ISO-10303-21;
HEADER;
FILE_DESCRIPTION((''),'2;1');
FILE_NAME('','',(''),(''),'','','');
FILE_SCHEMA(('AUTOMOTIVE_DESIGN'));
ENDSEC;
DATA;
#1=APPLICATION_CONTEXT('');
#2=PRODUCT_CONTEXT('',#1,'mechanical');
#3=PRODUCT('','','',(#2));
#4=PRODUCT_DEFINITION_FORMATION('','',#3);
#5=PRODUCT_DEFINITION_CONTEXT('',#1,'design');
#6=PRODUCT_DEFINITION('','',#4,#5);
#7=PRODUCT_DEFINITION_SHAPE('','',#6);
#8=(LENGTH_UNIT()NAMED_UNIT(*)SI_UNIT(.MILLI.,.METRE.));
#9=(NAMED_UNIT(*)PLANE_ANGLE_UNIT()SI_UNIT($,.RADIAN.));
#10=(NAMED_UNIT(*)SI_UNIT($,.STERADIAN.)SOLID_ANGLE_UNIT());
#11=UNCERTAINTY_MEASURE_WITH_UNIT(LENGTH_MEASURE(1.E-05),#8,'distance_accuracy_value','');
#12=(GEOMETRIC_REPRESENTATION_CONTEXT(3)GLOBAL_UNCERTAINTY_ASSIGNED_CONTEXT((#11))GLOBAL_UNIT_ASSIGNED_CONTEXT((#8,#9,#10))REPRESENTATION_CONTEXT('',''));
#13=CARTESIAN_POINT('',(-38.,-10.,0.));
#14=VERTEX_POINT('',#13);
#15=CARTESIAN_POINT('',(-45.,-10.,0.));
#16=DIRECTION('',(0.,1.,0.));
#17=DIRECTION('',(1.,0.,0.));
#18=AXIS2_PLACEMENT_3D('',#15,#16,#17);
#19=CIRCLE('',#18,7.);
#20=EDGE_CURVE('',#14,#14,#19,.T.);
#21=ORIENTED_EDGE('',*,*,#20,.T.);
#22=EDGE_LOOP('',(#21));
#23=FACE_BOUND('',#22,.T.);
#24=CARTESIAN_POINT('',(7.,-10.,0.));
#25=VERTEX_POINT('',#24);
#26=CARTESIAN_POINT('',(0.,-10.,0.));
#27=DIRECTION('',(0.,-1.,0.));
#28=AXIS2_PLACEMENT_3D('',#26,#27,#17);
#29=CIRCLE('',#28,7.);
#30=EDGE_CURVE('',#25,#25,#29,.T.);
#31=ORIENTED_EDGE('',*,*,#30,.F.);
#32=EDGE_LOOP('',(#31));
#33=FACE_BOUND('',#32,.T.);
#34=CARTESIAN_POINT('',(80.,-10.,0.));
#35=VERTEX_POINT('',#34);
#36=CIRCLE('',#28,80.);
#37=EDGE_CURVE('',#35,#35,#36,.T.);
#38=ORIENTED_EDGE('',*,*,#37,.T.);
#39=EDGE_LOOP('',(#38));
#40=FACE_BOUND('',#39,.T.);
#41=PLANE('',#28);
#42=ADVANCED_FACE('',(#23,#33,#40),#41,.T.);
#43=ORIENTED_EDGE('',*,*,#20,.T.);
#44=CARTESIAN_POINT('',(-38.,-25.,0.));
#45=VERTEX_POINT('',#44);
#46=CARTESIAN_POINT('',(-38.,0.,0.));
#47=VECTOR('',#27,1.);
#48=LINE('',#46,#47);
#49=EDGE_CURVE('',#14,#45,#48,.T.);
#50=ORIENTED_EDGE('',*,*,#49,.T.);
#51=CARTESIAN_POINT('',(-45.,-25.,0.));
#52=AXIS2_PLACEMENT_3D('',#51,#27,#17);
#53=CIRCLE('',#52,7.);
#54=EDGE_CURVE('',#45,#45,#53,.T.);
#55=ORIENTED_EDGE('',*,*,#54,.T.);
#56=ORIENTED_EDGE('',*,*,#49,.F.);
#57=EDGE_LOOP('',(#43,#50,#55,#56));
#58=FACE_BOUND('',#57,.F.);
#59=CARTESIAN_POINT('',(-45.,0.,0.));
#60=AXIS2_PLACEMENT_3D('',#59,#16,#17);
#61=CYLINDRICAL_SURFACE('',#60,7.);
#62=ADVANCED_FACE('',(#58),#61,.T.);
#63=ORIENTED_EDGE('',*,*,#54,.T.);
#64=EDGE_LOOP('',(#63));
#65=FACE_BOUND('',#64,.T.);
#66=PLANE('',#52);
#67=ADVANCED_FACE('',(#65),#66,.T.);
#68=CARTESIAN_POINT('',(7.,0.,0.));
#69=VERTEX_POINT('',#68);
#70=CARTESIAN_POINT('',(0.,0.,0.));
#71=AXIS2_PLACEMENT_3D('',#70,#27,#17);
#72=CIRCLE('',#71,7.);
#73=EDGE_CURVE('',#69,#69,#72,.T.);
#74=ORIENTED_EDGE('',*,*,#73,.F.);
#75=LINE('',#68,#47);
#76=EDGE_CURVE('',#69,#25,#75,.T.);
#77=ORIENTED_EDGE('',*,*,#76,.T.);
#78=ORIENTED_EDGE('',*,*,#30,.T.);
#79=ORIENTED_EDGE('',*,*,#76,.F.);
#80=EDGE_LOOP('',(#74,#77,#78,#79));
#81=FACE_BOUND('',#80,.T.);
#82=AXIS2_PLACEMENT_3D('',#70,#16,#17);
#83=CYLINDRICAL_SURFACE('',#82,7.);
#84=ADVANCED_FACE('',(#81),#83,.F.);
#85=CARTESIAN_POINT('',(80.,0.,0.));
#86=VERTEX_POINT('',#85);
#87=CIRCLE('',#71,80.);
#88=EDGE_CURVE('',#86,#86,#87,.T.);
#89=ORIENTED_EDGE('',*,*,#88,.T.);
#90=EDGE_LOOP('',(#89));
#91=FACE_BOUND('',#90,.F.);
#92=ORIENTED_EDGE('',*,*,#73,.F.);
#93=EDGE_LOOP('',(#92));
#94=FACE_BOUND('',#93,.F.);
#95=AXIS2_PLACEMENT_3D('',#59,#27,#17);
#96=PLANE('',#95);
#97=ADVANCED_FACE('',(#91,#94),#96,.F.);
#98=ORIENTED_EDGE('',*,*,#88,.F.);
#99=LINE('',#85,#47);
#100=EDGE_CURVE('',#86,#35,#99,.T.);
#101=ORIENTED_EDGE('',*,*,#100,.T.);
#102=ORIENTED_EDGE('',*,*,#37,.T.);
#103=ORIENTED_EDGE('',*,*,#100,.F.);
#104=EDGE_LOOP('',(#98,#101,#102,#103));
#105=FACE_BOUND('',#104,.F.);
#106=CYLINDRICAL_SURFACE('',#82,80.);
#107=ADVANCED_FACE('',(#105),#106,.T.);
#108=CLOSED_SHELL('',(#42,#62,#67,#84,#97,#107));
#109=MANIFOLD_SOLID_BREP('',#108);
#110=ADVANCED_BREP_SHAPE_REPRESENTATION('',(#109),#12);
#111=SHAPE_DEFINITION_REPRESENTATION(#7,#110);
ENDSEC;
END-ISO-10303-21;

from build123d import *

# Parameters (mm, degrees)
F0_R     = 80
F0_R_2   = 7
F1_DEPTH = 10
F2_R     = 7
F3_DEPTH = 25


with BuildPart() as f1:
    # F0 (on Front) → F1 (new body)
    with BuildSketch(Plane.XZ):
        Circle(F0_R)
        Circle(F0_R_2, mode=Mode.SUBTRACT)
    extrude(amount=F1_DEPTH)

    # F2 (on Front) → F3 (join)
    with BuildSketch(Plane.XZ):
        with Locations((-45, 0)):
            Circle(F2_R)
    extrude(amount=F3_DEPTH)


solid = f1.part
